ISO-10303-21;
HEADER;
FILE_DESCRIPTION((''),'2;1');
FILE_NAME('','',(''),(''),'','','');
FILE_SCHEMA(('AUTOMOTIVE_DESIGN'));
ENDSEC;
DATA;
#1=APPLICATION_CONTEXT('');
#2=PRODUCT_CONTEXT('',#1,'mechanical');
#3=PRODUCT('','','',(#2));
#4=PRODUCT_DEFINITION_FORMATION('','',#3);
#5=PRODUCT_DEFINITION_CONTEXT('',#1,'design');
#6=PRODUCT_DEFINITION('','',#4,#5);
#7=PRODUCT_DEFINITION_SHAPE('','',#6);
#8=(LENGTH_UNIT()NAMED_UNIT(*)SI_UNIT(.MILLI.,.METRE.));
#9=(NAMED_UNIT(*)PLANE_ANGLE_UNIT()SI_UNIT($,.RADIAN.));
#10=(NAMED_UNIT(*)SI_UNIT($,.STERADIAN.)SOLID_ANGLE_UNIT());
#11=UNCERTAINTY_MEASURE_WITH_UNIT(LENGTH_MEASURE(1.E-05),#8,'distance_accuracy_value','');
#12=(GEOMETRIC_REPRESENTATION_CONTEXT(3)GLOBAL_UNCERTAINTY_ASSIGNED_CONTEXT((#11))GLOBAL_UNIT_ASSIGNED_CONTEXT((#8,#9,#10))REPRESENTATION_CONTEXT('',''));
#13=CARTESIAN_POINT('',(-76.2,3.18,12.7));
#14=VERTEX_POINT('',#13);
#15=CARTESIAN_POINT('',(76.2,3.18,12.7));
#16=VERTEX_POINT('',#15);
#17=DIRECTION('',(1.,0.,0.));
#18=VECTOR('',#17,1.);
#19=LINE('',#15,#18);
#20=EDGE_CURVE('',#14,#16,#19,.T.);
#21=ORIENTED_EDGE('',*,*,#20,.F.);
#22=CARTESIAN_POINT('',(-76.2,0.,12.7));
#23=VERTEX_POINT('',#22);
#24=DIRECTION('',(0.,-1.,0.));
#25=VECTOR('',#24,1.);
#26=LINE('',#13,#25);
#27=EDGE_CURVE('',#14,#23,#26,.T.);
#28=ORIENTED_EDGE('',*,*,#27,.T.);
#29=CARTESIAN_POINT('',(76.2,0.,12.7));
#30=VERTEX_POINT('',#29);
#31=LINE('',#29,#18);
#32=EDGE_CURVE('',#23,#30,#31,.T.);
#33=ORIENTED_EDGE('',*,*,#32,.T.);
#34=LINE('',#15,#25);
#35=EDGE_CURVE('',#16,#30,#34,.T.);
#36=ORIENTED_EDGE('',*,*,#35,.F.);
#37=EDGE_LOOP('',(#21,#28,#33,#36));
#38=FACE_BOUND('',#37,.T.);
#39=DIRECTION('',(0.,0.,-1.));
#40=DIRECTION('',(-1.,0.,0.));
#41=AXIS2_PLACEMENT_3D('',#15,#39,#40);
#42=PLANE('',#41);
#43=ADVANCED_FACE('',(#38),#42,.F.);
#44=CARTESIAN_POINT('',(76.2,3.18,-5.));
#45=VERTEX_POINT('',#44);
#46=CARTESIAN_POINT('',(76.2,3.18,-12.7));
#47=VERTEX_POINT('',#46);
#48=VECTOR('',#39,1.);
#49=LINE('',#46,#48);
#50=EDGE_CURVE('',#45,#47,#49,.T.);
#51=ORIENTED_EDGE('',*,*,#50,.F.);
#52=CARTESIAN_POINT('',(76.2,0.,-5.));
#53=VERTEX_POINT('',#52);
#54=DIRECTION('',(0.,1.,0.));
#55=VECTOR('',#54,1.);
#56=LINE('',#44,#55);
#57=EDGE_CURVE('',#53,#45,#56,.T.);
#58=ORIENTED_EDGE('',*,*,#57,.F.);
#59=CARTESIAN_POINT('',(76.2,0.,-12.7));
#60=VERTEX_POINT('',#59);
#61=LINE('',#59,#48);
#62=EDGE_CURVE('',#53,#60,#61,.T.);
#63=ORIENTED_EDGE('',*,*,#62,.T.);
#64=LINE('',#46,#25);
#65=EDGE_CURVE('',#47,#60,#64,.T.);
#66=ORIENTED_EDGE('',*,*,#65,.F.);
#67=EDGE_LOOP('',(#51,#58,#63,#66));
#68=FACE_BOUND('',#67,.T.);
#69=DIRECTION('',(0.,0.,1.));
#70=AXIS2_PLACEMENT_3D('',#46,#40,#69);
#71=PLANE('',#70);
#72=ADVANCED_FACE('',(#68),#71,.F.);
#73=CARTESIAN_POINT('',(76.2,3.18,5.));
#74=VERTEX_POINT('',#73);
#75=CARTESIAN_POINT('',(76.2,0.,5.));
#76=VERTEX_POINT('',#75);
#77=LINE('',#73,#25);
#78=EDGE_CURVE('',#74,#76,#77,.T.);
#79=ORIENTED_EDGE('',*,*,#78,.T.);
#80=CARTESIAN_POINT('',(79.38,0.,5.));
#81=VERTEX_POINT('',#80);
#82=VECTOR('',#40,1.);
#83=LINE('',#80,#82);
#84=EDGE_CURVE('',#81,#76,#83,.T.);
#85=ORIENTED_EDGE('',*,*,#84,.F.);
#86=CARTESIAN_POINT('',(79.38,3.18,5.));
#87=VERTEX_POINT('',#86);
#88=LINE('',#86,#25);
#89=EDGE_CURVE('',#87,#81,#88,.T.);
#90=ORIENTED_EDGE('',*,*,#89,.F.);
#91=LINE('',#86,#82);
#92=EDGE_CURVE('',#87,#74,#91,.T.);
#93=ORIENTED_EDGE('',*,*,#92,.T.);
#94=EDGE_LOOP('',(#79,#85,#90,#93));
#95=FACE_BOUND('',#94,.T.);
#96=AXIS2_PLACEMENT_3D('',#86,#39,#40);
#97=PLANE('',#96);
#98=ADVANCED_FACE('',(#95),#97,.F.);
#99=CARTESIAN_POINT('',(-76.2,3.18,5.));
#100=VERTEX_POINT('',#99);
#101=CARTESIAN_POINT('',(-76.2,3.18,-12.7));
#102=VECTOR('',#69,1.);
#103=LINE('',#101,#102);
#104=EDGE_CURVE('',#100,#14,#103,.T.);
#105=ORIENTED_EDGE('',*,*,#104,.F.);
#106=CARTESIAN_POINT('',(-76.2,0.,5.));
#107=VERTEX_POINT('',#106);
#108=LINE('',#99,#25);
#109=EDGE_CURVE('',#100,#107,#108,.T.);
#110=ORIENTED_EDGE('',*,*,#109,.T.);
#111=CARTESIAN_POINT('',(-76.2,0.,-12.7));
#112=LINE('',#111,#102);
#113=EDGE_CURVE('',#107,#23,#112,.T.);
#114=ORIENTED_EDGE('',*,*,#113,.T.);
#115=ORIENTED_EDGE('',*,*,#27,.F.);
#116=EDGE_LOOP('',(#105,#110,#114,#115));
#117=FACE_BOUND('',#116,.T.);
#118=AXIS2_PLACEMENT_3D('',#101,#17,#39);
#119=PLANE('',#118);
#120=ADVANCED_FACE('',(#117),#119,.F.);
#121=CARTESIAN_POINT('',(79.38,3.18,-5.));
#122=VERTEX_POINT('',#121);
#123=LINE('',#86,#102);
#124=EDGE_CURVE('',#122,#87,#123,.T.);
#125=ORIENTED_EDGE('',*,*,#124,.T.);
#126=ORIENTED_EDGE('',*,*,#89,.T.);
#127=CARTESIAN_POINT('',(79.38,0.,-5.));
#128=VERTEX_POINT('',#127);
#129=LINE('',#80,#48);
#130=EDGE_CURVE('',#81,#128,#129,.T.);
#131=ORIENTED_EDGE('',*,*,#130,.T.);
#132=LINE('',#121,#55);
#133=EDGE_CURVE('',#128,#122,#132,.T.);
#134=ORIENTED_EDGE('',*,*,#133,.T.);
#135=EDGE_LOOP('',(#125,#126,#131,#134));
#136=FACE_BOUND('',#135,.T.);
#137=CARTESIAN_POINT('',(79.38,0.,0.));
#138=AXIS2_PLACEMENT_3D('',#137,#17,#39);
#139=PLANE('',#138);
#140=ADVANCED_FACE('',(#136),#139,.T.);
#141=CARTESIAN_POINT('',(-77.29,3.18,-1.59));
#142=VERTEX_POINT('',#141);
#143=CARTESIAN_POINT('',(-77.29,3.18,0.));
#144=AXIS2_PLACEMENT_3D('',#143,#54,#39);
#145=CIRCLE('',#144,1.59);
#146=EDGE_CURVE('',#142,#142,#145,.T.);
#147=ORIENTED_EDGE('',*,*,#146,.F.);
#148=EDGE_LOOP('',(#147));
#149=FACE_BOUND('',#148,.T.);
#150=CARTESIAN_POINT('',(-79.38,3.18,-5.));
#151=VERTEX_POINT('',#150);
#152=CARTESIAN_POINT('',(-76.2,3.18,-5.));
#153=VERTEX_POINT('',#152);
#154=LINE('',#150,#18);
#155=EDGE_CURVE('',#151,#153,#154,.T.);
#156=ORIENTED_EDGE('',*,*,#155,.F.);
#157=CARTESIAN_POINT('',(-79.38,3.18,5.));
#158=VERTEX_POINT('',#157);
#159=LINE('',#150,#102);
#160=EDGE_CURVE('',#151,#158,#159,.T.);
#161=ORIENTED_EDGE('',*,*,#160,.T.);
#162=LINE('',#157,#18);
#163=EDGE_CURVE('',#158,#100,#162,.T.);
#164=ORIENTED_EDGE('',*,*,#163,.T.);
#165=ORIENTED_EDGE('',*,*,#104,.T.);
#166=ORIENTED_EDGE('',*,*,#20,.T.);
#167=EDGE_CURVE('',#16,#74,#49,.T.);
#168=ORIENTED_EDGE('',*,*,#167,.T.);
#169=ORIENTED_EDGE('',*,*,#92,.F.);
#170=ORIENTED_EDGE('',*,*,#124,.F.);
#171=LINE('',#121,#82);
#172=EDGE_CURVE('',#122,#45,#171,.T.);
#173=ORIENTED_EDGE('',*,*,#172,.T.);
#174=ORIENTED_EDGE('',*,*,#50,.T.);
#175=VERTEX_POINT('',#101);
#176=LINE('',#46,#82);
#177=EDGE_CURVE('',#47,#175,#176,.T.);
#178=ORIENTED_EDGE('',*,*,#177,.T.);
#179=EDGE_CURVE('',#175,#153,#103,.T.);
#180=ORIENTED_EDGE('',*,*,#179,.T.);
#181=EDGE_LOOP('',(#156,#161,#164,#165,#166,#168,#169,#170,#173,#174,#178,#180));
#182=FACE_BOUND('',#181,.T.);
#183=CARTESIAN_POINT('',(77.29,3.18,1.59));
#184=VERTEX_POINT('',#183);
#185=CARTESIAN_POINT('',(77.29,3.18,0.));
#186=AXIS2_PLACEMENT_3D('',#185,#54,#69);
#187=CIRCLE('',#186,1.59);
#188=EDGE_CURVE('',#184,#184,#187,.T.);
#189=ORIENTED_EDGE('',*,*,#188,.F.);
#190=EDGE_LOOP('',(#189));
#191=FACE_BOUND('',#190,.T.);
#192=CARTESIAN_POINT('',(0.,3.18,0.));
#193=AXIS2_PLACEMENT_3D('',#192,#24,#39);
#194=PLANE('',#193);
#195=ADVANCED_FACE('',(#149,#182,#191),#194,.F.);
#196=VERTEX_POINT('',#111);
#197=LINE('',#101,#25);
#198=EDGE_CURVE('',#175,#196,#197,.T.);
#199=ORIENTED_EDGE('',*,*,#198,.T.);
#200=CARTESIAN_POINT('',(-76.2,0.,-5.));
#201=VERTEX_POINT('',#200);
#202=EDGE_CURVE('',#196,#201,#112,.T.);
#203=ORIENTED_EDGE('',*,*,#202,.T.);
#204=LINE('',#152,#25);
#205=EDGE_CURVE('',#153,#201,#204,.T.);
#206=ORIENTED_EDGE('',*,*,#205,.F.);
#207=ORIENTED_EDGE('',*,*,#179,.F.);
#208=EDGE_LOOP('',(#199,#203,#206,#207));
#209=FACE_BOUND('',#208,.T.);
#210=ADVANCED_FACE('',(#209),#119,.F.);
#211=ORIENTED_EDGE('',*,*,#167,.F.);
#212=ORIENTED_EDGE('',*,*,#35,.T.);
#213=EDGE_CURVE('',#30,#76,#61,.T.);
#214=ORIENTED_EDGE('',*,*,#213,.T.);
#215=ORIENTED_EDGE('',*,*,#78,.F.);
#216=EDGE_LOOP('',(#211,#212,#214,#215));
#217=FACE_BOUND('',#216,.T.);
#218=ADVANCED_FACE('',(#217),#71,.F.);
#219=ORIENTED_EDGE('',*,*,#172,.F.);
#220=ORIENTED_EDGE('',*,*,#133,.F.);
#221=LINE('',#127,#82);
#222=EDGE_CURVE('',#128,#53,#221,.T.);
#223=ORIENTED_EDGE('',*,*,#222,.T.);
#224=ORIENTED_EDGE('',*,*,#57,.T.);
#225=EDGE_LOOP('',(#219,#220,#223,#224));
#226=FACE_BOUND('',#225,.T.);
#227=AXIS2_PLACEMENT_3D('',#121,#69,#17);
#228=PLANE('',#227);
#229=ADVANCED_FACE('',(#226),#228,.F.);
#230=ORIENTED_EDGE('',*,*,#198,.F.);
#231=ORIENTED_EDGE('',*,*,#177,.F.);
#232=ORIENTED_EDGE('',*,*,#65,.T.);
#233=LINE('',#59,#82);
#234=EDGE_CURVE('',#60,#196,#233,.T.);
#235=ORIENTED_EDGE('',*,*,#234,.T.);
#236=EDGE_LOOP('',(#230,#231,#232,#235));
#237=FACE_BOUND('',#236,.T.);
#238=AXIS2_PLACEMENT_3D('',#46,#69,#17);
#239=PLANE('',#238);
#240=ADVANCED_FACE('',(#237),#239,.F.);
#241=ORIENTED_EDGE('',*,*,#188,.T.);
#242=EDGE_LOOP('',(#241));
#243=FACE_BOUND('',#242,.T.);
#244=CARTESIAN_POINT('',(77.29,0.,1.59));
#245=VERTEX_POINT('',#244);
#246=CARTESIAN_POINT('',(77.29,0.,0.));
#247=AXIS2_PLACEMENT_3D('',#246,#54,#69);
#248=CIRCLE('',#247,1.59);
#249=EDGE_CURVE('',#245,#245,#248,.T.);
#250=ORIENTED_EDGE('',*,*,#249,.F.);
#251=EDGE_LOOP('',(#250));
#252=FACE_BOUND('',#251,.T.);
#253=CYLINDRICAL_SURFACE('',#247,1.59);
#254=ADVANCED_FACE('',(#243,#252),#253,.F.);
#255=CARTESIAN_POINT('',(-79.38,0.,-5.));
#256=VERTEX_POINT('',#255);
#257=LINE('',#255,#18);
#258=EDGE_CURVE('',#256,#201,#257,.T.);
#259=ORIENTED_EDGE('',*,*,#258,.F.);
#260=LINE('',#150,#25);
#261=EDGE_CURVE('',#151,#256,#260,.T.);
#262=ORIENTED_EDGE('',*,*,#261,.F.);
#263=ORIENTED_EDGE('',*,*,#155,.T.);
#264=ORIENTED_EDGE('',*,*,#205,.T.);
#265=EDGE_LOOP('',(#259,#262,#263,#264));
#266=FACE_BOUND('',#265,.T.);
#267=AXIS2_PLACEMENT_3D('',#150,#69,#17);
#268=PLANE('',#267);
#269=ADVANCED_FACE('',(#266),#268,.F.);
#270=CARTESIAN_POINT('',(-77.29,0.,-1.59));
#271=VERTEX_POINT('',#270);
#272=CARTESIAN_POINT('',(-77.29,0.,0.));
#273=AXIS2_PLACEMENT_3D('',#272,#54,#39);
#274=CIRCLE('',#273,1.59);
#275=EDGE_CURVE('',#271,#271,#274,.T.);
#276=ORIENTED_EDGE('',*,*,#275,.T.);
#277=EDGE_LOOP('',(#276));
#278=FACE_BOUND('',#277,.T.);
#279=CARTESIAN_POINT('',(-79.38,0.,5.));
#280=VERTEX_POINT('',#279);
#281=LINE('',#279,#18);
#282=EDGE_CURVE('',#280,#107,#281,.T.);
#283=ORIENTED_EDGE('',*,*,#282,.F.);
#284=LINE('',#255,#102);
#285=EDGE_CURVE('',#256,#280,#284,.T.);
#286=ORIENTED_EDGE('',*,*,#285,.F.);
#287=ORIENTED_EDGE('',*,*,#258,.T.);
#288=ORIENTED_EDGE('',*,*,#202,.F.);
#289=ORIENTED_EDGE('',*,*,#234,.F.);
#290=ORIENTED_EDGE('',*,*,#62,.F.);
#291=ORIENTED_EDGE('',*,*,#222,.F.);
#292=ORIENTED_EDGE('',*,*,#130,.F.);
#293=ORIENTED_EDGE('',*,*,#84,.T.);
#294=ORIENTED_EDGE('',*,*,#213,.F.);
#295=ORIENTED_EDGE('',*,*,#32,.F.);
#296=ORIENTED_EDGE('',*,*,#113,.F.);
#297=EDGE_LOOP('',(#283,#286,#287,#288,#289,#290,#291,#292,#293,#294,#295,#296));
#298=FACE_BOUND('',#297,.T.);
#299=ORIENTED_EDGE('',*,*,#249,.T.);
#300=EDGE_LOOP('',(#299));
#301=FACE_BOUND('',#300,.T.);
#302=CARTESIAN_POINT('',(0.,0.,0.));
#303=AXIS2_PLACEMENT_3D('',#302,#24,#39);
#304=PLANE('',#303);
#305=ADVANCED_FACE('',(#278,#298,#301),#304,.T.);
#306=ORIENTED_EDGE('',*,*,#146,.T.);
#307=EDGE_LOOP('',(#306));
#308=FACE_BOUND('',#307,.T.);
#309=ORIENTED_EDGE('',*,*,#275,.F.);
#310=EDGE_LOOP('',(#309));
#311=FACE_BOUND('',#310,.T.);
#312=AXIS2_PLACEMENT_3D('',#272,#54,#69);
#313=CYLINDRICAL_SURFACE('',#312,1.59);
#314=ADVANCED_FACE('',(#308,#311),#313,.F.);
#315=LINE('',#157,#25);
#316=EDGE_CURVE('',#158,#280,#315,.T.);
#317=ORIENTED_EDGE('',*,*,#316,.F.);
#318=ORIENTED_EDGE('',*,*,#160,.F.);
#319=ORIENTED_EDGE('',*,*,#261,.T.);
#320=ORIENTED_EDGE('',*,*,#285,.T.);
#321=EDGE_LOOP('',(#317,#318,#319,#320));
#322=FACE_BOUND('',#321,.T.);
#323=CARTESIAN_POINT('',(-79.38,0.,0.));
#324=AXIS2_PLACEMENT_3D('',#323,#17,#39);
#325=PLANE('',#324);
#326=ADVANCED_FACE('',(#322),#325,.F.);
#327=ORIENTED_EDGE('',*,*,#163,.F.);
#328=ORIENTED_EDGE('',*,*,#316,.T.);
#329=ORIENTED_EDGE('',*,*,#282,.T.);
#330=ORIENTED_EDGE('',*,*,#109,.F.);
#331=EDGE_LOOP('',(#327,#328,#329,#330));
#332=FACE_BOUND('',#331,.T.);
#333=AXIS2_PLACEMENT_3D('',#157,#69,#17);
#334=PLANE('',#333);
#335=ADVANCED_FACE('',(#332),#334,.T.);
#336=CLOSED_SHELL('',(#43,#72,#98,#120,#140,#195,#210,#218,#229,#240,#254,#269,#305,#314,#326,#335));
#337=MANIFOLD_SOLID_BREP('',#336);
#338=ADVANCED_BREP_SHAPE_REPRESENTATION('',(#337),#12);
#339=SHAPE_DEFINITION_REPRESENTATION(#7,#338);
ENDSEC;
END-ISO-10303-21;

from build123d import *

# Parameters (mm, degrees)
SKETCH2_W           = 152.4
SKETCH2_H           = 25.4
BOSS_EXTRUDE1_DEPTH = 3.18
SKETCH3_W           = 10
SKETCH3_H           = 3.18
BOSS_EXTRUDE2_DEPTH = 3.18
SKETCH4_W           = 10
SKETCH4_H           = 3.18
BOSS_EXTRUDE3_DEPTH = 3.18
SKETCH5_R           = 1.59
CUT_EXTRUDE1_DEPTH  = 3.18


with BuildPart() as part:
    # Sketch2 → Boss-Extrude1 (new body)
    with BuildSketch(Plane(origin=(0, 0, 0), x_dir=(1, 0, 0), z_dir=(0, 1, 0))):
        Rectangle(SKETCH2_W, SKETCH2_H)
    extrude(amount=BOSS_EXTRUDE1_DEPTH)

    # Sketch3 → Boss-Extrude2 (add)
    with BuildSketch(Plane.ZY.offset(76.2)):
        with Locations((0, 1.59)):
            Rectangle(SKETCH3_W, SKETCH3_H)
    extrude(amount=BOSS_EXTRUDE2_DEPTH)

    # Sketch4 → Boss-Extrude3 (add)
    with BuildSketch(Plane(origin=(76.2, 0, 0), x_dir=(0, 0, -1), z_dir=(1, 0, 0))):
        with Locations((0, 1.59)):
            Rectangle(SKETCH4_W, SKETCH4_H)
    extrude(amount=BOSS_EXTRUDE3_DEPTH)

    # Sketch5 → Cut-Extrude1 (cut)
    with BuildSketch(Plane(origin=(0, 3.18, 0), x_dir=(1, 0, 0), z_dir=(0, 1, 0))):
        with Locations((77.29, 0)):
            Circle(SKETCH5_R)
        with Locations((-77.29, 0)):
            Circle(SKETCH5_R)
    extrude(amount=-CUT_EXTRUDE1_DEPTH, mode=Mode.SUBTRACT)


solid = part.part
